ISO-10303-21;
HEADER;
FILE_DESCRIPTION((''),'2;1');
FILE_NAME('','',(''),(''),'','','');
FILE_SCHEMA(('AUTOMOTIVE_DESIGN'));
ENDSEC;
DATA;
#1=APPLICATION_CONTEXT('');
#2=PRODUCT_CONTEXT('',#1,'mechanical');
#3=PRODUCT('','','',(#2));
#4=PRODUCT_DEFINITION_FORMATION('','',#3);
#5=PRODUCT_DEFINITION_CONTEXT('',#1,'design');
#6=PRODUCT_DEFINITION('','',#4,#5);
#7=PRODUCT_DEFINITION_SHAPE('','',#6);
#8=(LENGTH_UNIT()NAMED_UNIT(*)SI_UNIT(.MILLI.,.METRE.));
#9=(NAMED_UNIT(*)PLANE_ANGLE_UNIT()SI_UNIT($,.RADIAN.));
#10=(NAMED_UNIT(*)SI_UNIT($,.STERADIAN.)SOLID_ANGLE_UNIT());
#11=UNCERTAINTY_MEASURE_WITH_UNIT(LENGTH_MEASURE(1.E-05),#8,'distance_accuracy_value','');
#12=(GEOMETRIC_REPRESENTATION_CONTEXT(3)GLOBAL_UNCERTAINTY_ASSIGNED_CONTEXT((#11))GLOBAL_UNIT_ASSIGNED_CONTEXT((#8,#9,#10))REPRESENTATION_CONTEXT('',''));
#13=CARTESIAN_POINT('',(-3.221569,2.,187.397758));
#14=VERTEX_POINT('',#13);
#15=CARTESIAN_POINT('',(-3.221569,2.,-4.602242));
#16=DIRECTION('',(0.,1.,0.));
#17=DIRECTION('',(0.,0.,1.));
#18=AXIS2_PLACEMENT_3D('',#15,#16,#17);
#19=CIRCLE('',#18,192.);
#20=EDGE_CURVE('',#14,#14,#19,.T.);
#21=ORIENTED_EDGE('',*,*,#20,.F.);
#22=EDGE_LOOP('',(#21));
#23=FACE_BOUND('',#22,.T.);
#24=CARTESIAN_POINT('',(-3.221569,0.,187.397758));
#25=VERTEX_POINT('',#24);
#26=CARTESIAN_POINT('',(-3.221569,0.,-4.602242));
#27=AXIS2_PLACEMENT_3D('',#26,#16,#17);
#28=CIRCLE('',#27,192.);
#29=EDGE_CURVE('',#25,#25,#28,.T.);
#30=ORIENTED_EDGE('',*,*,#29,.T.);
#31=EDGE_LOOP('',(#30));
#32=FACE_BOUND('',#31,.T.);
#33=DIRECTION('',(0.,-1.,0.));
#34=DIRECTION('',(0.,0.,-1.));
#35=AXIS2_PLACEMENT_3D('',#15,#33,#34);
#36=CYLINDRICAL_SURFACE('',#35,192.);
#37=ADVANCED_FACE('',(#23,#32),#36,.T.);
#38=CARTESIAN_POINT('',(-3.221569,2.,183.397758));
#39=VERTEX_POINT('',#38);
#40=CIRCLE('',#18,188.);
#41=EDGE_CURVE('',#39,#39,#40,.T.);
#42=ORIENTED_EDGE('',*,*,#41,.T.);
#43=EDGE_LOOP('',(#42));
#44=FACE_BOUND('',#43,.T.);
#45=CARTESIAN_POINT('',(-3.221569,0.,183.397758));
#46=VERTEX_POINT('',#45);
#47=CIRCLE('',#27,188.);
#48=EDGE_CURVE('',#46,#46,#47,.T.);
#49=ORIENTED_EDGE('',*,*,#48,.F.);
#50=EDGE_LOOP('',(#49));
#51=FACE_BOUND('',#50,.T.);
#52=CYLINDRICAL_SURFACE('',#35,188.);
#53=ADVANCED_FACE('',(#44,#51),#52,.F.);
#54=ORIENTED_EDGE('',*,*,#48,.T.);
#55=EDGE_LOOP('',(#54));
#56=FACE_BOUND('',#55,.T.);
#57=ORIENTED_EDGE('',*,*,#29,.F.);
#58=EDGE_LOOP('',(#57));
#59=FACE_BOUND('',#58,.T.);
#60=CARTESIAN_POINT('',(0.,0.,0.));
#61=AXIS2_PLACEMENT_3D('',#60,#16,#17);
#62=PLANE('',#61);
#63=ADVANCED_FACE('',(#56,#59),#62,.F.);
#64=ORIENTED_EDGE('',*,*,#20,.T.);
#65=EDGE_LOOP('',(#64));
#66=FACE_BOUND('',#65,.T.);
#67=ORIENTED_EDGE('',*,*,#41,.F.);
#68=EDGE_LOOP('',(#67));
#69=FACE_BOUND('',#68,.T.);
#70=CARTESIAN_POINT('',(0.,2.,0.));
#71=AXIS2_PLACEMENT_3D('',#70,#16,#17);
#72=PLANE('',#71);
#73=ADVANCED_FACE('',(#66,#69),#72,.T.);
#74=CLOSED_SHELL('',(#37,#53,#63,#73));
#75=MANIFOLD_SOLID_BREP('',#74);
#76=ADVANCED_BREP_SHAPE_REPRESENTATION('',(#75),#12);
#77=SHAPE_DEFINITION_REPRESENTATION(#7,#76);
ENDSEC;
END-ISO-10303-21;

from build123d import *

# Parameters (mm, degrees)
SKETCH1_R           = 192
SKETCH1_R_2         = 190
SKETCH1_R_3         = 188
BOSS_EXTRUDE1_DEPTH = 2


with BuildPart() as part:
    # Sketch1 → Boss-Extrude1 (new body)
    # profile 1 of 2: a face of its own
    with BuildSketch(Plane(origin=(0, 0, 0), x_dir=(1, 0, 0), z_dir=(0, 1, 0))):
        with Locations(Location((-3.221569265, 4.602241807, 0), (0, 0, 270))):
            Circle(SKETCH1_R)
        with Locations((-3.221569265, 4.602241807)):
            Circle(SKETCH1_R_2, mode=Mode.SUBTRACT)
    # profile 2 of 2: a face of its own
    with BuildSketch(Plane(origin=(0, 0, 0), x_dir=(1, 0, 0), z_dir=(0, 1, 0))):
        with Locations((-3.221569265, 4.602241807)):
            Circle(SKETCH1_R_2)
        with Locations(Location((-3.221569265, 4.602241807, 0), (0, 0, 270))):
            Circle(SKETCH1_R_3, mode=Mode.SUBTRACT)
    extrude(amount=BOSS_EXTRUDE1_DEPTH)


solid = part.part
